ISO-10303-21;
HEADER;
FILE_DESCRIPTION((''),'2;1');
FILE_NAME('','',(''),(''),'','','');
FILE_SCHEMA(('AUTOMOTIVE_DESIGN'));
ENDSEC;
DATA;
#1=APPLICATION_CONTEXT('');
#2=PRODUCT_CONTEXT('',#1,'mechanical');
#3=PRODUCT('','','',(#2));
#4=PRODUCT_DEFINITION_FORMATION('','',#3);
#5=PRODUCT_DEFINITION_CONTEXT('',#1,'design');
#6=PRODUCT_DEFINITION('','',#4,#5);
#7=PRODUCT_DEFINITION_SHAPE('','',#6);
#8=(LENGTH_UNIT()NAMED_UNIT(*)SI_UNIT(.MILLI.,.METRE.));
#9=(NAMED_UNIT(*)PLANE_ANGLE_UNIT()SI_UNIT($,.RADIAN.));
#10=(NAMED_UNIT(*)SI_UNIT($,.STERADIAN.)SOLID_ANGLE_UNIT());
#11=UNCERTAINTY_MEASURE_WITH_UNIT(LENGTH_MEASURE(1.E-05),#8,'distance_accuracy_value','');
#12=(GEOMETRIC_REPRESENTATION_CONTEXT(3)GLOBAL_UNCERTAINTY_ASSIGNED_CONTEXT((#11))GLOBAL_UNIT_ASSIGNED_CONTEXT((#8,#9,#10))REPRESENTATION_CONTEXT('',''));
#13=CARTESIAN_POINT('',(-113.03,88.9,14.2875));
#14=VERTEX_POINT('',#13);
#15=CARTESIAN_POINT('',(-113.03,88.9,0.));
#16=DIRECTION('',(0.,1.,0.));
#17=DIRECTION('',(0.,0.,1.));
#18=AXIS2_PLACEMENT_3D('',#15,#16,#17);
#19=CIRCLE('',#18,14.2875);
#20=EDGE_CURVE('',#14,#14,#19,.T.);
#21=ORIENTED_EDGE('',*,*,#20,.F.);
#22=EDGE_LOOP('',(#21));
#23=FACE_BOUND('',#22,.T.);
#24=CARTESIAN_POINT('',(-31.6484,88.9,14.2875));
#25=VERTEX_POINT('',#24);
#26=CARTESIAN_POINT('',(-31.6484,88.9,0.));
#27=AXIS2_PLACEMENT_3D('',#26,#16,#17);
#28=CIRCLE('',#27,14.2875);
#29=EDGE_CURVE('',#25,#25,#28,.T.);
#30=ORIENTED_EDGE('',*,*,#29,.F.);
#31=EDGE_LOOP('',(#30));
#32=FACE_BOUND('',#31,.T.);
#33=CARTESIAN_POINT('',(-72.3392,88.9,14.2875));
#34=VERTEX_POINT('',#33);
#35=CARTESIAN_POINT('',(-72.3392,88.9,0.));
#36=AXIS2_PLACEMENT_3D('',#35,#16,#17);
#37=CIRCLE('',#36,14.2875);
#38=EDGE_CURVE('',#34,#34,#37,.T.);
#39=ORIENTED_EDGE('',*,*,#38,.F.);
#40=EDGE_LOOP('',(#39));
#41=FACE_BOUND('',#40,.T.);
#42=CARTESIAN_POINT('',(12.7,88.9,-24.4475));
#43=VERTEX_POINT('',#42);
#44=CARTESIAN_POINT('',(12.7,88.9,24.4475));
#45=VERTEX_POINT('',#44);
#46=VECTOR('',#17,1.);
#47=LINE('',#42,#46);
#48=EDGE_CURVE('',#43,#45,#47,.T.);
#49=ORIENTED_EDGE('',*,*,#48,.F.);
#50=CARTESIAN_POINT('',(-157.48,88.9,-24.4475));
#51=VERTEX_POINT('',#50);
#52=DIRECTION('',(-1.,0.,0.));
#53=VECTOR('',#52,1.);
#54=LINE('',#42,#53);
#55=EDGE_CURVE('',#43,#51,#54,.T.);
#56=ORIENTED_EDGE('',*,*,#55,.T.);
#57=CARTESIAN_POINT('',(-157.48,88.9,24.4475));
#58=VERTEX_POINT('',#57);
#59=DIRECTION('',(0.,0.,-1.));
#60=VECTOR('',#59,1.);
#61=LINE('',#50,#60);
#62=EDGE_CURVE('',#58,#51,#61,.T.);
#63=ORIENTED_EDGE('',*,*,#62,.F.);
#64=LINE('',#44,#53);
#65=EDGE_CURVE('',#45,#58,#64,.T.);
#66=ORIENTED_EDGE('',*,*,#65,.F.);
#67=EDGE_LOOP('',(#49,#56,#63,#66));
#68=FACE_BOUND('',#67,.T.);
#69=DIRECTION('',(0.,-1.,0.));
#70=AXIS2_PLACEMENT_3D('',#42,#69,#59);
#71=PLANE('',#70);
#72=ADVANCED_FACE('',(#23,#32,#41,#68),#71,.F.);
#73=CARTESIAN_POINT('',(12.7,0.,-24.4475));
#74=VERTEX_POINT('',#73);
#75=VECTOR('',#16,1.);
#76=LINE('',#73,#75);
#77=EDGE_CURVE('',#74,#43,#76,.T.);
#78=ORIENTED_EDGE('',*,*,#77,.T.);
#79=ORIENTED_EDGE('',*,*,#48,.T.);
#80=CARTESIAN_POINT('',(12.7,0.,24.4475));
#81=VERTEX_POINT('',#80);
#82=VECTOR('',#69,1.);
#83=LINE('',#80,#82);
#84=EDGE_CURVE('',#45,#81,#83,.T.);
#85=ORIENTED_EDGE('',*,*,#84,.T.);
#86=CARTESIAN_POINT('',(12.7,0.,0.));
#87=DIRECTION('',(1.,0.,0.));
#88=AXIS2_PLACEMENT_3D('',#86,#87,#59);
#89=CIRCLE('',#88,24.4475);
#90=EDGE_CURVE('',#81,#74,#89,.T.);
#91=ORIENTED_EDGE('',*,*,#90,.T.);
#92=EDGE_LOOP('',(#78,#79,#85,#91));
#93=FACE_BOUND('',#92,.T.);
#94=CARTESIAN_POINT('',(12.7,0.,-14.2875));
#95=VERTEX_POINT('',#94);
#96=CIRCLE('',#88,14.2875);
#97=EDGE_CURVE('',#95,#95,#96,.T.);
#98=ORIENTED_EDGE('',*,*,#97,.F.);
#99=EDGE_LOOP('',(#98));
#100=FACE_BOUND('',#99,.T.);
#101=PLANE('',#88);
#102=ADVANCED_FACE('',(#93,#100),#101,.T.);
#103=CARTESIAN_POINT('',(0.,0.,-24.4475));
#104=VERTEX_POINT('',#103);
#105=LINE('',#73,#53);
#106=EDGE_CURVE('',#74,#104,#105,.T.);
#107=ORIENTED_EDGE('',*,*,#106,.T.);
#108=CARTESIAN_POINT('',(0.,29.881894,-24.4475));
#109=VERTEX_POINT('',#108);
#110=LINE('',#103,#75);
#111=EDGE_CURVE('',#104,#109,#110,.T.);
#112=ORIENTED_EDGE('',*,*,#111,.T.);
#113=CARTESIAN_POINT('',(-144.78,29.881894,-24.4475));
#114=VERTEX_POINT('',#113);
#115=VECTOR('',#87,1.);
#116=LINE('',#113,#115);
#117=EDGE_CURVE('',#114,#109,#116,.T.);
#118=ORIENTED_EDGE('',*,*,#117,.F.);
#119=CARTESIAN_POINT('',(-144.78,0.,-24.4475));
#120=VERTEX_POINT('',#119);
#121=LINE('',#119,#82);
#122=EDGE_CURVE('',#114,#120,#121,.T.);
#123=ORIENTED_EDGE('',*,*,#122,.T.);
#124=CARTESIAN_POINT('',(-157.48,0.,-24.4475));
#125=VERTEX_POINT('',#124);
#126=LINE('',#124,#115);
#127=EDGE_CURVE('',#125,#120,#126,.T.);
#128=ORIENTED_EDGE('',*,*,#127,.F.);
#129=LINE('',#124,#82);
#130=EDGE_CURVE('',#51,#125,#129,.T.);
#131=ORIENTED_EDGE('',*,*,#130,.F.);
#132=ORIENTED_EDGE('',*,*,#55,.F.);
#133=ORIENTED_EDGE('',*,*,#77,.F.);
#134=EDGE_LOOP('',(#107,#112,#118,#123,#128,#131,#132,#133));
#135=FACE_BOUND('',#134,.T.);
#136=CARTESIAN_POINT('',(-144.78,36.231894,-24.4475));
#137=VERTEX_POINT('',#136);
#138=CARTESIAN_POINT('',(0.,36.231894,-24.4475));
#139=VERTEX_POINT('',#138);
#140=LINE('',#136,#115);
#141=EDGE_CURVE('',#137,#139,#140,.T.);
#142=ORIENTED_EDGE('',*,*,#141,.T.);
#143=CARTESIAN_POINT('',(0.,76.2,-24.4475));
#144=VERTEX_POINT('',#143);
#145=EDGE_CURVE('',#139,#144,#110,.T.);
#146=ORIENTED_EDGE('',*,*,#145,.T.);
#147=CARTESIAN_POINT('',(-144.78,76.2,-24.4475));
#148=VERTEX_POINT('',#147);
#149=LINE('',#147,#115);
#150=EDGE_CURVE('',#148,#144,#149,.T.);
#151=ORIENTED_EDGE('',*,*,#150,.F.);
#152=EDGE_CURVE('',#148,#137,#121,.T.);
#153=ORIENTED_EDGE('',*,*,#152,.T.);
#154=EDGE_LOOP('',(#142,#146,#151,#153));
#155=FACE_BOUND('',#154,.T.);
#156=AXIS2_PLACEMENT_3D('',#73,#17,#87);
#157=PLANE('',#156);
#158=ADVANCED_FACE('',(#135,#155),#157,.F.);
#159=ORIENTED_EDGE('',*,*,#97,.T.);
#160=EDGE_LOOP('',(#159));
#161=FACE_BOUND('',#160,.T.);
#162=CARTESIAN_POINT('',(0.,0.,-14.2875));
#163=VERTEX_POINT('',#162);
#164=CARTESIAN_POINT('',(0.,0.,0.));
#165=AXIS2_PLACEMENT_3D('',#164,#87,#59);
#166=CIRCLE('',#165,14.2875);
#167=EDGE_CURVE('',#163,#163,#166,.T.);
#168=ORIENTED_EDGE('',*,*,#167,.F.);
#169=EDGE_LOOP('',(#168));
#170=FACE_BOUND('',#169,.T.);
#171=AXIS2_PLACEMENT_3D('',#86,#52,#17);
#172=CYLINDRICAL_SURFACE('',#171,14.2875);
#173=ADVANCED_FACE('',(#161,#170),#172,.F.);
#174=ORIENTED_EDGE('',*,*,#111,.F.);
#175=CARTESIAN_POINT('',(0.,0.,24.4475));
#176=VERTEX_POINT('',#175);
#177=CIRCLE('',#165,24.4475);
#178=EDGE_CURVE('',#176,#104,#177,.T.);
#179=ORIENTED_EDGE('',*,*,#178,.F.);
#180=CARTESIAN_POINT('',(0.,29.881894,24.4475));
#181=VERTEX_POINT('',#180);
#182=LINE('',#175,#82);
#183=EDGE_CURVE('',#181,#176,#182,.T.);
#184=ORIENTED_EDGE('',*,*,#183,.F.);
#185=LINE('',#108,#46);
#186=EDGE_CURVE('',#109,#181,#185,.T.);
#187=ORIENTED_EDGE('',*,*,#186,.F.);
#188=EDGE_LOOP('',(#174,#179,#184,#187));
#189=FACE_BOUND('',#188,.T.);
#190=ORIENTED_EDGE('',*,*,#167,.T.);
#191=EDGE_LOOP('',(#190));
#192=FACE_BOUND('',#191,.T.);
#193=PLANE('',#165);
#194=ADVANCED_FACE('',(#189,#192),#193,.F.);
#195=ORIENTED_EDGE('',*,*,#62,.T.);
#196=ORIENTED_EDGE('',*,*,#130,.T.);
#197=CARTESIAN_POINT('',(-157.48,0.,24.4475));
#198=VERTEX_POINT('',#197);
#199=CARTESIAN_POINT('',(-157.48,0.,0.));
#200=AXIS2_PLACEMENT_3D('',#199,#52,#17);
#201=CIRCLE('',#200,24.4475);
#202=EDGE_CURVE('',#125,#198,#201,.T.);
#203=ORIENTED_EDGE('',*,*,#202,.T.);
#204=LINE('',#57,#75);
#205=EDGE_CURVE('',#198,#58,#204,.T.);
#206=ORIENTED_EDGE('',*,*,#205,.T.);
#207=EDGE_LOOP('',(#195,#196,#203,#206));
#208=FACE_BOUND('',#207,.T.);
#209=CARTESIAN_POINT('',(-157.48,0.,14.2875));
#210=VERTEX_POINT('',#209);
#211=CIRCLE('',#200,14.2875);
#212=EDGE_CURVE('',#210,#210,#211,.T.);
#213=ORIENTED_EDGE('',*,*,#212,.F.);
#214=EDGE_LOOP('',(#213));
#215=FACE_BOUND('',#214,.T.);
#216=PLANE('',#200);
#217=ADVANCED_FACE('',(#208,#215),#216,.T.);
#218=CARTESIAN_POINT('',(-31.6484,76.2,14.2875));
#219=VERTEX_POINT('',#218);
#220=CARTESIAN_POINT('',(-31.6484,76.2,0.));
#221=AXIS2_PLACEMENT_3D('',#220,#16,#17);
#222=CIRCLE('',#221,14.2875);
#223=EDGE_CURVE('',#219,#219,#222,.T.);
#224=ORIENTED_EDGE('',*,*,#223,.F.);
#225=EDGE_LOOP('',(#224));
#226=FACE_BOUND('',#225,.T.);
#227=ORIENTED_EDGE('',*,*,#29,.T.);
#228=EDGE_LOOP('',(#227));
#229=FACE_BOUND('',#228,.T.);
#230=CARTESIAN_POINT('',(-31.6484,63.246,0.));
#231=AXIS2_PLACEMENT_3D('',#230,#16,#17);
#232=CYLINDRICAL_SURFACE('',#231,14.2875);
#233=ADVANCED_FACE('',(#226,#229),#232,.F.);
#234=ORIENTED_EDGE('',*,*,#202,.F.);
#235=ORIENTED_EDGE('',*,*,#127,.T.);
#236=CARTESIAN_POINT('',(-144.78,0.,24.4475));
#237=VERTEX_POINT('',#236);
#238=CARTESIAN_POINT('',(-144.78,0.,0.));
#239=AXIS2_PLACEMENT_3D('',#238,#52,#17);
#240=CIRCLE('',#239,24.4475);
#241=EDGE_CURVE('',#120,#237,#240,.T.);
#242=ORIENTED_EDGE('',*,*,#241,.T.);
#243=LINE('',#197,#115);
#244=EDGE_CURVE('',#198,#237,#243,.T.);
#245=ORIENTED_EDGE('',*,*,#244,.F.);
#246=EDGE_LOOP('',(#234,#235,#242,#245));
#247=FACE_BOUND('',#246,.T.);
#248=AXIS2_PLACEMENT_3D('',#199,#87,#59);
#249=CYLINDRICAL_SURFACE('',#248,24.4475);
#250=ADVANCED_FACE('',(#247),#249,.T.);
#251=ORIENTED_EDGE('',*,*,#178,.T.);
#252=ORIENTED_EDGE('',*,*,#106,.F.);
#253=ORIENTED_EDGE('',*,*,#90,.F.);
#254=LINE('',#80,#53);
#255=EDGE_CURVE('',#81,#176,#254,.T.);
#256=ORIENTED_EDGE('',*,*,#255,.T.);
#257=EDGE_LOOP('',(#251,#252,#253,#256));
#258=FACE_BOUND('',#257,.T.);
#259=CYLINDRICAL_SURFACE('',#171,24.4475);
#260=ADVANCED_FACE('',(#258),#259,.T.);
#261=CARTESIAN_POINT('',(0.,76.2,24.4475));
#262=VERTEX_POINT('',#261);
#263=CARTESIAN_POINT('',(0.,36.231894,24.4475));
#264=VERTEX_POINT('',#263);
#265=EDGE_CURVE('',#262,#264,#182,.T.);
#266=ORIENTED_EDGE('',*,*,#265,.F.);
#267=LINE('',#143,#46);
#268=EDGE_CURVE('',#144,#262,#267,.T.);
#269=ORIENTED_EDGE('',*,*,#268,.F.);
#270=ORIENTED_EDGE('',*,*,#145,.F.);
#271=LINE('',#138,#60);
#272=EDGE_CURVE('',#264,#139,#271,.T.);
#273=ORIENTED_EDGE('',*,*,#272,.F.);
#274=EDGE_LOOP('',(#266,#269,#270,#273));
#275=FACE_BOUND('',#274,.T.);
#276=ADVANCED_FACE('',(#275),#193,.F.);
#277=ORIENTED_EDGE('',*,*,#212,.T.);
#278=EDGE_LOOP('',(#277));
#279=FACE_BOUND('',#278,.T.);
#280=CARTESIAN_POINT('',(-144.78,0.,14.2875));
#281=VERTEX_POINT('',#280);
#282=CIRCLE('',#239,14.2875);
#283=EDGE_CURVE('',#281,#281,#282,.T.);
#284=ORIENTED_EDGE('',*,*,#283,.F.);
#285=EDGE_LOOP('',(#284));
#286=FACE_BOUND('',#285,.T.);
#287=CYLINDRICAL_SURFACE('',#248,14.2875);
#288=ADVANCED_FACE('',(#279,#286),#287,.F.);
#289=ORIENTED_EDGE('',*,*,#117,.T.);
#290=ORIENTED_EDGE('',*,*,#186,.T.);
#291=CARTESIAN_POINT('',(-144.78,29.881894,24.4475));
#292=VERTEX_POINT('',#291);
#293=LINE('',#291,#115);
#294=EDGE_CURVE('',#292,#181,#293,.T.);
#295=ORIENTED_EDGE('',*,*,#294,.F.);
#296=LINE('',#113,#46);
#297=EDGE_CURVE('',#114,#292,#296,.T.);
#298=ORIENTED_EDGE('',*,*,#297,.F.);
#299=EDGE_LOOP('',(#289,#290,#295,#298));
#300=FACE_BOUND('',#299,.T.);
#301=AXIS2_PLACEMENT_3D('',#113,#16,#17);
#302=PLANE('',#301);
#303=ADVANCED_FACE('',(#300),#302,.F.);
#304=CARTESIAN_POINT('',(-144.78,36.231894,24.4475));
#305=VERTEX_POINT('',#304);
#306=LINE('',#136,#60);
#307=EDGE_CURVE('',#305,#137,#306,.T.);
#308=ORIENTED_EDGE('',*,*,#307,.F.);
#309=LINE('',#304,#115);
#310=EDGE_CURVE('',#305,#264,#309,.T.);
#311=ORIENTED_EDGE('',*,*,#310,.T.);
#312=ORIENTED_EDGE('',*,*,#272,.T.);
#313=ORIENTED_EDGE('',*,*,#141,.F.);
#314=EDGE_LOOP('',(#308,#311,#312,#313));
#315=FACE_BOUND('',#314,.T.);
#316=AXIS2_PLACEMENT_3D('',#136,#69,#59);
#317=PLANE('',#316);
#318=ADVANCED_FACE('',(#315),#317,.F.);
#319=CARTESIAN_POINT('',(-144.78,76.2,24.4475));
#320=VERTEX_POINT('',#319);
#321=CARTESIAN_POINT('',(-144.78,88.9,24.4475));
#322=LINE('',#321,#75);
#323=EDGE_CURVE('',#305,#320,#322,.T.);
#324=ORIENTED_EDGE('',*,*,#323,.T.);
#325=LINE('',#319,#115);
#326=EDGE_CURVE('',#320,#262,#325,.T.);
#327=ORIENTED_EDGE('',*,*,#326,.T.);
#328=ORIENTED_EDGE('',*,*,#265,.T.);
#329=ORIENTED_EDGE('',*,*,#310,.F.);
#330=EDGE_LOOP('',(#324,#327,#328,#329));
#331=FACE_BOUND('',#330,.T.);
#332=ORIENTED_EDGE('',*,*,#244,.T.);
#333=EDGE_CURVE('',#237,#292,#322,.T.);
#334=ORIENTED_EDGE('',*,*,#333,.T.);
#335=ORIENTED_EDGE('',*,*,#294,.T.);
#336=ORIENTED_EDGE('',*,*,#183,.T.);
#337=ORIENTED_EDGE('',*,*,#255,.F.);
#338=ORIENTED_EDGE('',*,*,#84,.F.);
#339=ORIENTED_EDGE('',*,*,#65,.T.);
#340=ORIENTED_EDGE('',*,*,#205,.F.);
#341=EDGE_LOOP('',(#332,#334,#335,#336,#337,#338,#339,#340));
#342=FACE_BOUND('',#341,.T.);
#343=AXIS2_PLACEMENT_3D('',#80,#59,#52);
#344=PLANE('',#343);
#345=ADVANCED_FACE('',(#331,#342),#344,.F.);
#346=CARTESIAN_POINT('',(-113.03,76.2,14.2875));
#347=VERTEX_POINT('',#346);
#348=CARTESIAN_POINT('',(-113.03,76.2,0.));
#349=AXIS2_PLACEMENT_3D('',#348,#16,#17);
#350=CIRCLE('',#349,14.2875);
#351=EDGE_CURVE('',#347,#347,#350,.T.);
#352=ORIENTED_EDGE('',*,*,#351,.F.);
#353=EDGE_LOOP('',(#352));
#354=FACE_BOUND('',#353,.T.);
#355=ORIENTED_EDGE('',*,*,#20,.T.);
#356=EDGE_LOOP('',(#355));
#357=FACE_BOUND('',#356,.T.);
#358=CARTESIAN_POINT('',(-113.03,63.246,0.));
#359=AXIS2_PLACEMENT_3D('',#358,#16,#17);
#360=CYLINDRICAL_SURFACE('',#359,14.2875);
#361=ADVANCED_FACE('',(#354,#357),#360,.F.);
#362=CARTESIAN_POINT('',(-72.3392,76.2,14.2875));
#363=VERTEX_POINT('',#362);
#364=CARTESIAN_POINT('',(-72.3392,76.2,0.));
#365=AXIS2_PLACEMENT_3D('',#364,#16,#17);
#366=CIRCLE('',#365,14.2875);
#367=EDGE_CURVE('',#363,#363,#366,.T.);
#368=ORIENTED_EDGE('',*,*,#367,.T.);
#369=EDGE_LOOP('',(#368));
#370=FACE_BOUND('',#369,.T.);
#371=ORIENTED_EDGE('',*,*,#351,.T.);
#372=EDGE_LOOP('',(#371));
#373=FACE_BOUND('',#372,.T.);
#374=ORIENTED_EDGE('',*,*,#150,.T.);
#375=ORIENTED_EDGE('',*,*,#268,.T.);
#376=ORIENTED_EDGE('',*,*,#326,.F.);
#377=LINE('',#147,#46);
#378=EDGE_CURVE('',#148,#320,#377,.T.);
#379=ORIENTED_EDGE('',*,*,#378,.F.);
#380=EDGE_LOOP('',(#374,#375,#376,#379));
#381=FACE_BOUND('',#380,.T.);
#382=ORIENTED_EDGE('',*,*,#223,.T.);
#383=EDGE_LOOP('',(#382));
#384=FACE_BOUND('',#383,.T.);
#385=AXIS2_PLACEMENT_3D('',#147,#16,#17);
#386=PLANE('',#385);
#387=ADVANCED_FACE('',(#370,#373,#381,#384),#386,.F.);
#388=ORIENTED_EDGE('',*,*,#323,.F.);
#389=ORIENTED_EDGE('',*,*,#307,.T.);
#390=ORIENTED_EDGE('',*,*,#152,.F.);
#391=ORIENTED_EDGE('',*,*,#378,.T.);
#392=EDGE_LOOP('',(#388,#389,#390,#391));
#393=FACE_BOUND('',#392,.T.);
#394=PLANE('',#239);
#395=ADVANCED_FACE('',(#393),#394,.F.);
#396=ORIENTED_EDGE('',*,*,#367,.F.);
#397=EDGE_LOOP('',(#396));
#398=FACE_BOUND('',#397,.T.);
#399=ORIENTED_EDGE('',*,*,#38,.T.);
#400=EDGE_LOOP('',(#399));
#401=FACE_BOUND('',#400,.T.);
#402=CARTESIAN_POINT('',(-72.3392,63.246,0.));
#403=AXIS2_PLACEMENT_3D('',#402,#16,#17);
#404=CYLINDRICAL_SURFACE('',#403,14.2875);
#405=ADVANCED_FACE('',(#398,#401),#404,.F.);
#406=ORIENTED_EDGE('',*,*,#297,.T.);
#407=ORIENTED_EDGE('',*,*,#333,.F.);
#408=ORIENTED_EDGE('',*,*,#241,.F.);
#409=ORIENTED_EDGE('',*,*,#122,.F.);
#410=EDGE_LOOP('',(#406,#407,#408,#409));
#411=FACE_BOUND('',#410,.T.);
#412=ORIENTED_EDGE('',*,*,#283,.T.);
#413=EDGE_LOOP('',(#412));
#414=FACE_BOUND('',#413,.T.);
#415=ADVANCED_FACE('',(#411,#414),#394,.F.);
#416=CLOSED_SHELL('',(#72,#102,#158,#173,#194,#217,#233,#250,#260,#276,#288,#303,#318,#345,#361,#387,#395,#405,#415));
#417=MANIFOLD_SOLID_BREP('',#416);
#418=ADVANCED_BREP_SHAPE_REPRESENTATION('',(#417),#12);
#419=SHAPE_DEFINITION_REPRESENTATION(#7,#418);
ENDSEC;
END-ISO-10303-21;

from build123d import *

# Parameters (mm, degrees)
SKETCH1_R           = 14.2875
BOSS_EXTRUDE1_DEPTH = 12.7
SKETCH2_W           = 48.895
SKETCH2_H           = 6.35
SKETCH2_H_2         = 12.7
BOSS_EXTRUDE2_DEPTH = 144.78
BOSS_EXTRUDE3_START = 12.7
SKETCH3_R           = 14.2875
BOSS_EXTRUDE3_DEPTH = 12.7
SKETCH4_R           = 14.2875
CUT_EXTRUDE1_DEPTH  = 25.654


with BuildPart() as part:
    # Sketch1 → Boss-Extrude1 (new body)
    with BuildSketch(Plane(origin=(0, 0, 0), x_dir=(0, 0, -1), z_dir=(1, 0, 0))):
        with BuildLine():
            Line((-24.4475, 0), (-24.4475, 88.9))
            Line((-24.4475, 88.9), (24.4475, 88.9))
            Line((24.4475, 88.9), (24.4475, 0))
            ThreePointArc((24.4475, 0), (0, -24.4475), (-24.4475, 0))
        make_face()
        Circle(SKETCH1_R, mode=Mode.SUBTRACT)
    extrude(amount=BOSS_EXTRUDE1_DEPTH)

    # Sketch2 → Boss-Extrude2 (add)
    with BuildSketch(Plane.ZY):
        with Locations((0, 33.056893832)):
            Rectangle(SKETCH2_W, SKETCH2_H)
        with Locations((0, 82.55)):
            Rectangle(SKETCH2_W, SKETCH2_H_2)
    extrude(amount=BOSS_EXTRUDE2_DEPTH)

    # Sketch3 → Boss-Extrude3 (add)
    with BuildSketch(Plane.ZY.offset(144.78).offset(BOSS_EXTRUDE3_START)):
        with BuildLine():
            Line((-24.4475, 0), (-24.4475, 88.9))
            Line((-24.4475, 88.9), (24.4475, 88.9))
            Line((24.4475, 88.9), (24.4475, 0))
            ThreePointArc((24.4475, 0), (0, -24.4475), (-24.4475, 0))
        make_face()
        with Locations(Location((0, 0, 0), (0, 0, 180))):
            Circle(SKETCH3_R, mode=Mode.SUBTRACT)
    extrude(amount=-BOSS_EXTRUDE3_DEPTH)

    # Sketch4 → Cut-Extrude1 (cut)
    with BuildSketch(Plane(origin=(0, 88.9, 0), x_dir=(1, 0, 0), z_dir=(0, 1, 0))):
        with Locations(Location((-113.03, 0, 0), (0, 0, 270))):
            Circle(SKETCH4_R)
        with Locations(Location((-72.3392, 0, 0), (0, 0, 270))):
            Circle(SKETCH4_R)
        with Locations(Location((-31.6484, 0, 0), (0, 0, 270))):
            Circle(SKETCH4_R)
    extrude(amount=-CUT_EXTRUDE1_DEPTH, mode=Mode.SUBTRACT)


solid = part.part
